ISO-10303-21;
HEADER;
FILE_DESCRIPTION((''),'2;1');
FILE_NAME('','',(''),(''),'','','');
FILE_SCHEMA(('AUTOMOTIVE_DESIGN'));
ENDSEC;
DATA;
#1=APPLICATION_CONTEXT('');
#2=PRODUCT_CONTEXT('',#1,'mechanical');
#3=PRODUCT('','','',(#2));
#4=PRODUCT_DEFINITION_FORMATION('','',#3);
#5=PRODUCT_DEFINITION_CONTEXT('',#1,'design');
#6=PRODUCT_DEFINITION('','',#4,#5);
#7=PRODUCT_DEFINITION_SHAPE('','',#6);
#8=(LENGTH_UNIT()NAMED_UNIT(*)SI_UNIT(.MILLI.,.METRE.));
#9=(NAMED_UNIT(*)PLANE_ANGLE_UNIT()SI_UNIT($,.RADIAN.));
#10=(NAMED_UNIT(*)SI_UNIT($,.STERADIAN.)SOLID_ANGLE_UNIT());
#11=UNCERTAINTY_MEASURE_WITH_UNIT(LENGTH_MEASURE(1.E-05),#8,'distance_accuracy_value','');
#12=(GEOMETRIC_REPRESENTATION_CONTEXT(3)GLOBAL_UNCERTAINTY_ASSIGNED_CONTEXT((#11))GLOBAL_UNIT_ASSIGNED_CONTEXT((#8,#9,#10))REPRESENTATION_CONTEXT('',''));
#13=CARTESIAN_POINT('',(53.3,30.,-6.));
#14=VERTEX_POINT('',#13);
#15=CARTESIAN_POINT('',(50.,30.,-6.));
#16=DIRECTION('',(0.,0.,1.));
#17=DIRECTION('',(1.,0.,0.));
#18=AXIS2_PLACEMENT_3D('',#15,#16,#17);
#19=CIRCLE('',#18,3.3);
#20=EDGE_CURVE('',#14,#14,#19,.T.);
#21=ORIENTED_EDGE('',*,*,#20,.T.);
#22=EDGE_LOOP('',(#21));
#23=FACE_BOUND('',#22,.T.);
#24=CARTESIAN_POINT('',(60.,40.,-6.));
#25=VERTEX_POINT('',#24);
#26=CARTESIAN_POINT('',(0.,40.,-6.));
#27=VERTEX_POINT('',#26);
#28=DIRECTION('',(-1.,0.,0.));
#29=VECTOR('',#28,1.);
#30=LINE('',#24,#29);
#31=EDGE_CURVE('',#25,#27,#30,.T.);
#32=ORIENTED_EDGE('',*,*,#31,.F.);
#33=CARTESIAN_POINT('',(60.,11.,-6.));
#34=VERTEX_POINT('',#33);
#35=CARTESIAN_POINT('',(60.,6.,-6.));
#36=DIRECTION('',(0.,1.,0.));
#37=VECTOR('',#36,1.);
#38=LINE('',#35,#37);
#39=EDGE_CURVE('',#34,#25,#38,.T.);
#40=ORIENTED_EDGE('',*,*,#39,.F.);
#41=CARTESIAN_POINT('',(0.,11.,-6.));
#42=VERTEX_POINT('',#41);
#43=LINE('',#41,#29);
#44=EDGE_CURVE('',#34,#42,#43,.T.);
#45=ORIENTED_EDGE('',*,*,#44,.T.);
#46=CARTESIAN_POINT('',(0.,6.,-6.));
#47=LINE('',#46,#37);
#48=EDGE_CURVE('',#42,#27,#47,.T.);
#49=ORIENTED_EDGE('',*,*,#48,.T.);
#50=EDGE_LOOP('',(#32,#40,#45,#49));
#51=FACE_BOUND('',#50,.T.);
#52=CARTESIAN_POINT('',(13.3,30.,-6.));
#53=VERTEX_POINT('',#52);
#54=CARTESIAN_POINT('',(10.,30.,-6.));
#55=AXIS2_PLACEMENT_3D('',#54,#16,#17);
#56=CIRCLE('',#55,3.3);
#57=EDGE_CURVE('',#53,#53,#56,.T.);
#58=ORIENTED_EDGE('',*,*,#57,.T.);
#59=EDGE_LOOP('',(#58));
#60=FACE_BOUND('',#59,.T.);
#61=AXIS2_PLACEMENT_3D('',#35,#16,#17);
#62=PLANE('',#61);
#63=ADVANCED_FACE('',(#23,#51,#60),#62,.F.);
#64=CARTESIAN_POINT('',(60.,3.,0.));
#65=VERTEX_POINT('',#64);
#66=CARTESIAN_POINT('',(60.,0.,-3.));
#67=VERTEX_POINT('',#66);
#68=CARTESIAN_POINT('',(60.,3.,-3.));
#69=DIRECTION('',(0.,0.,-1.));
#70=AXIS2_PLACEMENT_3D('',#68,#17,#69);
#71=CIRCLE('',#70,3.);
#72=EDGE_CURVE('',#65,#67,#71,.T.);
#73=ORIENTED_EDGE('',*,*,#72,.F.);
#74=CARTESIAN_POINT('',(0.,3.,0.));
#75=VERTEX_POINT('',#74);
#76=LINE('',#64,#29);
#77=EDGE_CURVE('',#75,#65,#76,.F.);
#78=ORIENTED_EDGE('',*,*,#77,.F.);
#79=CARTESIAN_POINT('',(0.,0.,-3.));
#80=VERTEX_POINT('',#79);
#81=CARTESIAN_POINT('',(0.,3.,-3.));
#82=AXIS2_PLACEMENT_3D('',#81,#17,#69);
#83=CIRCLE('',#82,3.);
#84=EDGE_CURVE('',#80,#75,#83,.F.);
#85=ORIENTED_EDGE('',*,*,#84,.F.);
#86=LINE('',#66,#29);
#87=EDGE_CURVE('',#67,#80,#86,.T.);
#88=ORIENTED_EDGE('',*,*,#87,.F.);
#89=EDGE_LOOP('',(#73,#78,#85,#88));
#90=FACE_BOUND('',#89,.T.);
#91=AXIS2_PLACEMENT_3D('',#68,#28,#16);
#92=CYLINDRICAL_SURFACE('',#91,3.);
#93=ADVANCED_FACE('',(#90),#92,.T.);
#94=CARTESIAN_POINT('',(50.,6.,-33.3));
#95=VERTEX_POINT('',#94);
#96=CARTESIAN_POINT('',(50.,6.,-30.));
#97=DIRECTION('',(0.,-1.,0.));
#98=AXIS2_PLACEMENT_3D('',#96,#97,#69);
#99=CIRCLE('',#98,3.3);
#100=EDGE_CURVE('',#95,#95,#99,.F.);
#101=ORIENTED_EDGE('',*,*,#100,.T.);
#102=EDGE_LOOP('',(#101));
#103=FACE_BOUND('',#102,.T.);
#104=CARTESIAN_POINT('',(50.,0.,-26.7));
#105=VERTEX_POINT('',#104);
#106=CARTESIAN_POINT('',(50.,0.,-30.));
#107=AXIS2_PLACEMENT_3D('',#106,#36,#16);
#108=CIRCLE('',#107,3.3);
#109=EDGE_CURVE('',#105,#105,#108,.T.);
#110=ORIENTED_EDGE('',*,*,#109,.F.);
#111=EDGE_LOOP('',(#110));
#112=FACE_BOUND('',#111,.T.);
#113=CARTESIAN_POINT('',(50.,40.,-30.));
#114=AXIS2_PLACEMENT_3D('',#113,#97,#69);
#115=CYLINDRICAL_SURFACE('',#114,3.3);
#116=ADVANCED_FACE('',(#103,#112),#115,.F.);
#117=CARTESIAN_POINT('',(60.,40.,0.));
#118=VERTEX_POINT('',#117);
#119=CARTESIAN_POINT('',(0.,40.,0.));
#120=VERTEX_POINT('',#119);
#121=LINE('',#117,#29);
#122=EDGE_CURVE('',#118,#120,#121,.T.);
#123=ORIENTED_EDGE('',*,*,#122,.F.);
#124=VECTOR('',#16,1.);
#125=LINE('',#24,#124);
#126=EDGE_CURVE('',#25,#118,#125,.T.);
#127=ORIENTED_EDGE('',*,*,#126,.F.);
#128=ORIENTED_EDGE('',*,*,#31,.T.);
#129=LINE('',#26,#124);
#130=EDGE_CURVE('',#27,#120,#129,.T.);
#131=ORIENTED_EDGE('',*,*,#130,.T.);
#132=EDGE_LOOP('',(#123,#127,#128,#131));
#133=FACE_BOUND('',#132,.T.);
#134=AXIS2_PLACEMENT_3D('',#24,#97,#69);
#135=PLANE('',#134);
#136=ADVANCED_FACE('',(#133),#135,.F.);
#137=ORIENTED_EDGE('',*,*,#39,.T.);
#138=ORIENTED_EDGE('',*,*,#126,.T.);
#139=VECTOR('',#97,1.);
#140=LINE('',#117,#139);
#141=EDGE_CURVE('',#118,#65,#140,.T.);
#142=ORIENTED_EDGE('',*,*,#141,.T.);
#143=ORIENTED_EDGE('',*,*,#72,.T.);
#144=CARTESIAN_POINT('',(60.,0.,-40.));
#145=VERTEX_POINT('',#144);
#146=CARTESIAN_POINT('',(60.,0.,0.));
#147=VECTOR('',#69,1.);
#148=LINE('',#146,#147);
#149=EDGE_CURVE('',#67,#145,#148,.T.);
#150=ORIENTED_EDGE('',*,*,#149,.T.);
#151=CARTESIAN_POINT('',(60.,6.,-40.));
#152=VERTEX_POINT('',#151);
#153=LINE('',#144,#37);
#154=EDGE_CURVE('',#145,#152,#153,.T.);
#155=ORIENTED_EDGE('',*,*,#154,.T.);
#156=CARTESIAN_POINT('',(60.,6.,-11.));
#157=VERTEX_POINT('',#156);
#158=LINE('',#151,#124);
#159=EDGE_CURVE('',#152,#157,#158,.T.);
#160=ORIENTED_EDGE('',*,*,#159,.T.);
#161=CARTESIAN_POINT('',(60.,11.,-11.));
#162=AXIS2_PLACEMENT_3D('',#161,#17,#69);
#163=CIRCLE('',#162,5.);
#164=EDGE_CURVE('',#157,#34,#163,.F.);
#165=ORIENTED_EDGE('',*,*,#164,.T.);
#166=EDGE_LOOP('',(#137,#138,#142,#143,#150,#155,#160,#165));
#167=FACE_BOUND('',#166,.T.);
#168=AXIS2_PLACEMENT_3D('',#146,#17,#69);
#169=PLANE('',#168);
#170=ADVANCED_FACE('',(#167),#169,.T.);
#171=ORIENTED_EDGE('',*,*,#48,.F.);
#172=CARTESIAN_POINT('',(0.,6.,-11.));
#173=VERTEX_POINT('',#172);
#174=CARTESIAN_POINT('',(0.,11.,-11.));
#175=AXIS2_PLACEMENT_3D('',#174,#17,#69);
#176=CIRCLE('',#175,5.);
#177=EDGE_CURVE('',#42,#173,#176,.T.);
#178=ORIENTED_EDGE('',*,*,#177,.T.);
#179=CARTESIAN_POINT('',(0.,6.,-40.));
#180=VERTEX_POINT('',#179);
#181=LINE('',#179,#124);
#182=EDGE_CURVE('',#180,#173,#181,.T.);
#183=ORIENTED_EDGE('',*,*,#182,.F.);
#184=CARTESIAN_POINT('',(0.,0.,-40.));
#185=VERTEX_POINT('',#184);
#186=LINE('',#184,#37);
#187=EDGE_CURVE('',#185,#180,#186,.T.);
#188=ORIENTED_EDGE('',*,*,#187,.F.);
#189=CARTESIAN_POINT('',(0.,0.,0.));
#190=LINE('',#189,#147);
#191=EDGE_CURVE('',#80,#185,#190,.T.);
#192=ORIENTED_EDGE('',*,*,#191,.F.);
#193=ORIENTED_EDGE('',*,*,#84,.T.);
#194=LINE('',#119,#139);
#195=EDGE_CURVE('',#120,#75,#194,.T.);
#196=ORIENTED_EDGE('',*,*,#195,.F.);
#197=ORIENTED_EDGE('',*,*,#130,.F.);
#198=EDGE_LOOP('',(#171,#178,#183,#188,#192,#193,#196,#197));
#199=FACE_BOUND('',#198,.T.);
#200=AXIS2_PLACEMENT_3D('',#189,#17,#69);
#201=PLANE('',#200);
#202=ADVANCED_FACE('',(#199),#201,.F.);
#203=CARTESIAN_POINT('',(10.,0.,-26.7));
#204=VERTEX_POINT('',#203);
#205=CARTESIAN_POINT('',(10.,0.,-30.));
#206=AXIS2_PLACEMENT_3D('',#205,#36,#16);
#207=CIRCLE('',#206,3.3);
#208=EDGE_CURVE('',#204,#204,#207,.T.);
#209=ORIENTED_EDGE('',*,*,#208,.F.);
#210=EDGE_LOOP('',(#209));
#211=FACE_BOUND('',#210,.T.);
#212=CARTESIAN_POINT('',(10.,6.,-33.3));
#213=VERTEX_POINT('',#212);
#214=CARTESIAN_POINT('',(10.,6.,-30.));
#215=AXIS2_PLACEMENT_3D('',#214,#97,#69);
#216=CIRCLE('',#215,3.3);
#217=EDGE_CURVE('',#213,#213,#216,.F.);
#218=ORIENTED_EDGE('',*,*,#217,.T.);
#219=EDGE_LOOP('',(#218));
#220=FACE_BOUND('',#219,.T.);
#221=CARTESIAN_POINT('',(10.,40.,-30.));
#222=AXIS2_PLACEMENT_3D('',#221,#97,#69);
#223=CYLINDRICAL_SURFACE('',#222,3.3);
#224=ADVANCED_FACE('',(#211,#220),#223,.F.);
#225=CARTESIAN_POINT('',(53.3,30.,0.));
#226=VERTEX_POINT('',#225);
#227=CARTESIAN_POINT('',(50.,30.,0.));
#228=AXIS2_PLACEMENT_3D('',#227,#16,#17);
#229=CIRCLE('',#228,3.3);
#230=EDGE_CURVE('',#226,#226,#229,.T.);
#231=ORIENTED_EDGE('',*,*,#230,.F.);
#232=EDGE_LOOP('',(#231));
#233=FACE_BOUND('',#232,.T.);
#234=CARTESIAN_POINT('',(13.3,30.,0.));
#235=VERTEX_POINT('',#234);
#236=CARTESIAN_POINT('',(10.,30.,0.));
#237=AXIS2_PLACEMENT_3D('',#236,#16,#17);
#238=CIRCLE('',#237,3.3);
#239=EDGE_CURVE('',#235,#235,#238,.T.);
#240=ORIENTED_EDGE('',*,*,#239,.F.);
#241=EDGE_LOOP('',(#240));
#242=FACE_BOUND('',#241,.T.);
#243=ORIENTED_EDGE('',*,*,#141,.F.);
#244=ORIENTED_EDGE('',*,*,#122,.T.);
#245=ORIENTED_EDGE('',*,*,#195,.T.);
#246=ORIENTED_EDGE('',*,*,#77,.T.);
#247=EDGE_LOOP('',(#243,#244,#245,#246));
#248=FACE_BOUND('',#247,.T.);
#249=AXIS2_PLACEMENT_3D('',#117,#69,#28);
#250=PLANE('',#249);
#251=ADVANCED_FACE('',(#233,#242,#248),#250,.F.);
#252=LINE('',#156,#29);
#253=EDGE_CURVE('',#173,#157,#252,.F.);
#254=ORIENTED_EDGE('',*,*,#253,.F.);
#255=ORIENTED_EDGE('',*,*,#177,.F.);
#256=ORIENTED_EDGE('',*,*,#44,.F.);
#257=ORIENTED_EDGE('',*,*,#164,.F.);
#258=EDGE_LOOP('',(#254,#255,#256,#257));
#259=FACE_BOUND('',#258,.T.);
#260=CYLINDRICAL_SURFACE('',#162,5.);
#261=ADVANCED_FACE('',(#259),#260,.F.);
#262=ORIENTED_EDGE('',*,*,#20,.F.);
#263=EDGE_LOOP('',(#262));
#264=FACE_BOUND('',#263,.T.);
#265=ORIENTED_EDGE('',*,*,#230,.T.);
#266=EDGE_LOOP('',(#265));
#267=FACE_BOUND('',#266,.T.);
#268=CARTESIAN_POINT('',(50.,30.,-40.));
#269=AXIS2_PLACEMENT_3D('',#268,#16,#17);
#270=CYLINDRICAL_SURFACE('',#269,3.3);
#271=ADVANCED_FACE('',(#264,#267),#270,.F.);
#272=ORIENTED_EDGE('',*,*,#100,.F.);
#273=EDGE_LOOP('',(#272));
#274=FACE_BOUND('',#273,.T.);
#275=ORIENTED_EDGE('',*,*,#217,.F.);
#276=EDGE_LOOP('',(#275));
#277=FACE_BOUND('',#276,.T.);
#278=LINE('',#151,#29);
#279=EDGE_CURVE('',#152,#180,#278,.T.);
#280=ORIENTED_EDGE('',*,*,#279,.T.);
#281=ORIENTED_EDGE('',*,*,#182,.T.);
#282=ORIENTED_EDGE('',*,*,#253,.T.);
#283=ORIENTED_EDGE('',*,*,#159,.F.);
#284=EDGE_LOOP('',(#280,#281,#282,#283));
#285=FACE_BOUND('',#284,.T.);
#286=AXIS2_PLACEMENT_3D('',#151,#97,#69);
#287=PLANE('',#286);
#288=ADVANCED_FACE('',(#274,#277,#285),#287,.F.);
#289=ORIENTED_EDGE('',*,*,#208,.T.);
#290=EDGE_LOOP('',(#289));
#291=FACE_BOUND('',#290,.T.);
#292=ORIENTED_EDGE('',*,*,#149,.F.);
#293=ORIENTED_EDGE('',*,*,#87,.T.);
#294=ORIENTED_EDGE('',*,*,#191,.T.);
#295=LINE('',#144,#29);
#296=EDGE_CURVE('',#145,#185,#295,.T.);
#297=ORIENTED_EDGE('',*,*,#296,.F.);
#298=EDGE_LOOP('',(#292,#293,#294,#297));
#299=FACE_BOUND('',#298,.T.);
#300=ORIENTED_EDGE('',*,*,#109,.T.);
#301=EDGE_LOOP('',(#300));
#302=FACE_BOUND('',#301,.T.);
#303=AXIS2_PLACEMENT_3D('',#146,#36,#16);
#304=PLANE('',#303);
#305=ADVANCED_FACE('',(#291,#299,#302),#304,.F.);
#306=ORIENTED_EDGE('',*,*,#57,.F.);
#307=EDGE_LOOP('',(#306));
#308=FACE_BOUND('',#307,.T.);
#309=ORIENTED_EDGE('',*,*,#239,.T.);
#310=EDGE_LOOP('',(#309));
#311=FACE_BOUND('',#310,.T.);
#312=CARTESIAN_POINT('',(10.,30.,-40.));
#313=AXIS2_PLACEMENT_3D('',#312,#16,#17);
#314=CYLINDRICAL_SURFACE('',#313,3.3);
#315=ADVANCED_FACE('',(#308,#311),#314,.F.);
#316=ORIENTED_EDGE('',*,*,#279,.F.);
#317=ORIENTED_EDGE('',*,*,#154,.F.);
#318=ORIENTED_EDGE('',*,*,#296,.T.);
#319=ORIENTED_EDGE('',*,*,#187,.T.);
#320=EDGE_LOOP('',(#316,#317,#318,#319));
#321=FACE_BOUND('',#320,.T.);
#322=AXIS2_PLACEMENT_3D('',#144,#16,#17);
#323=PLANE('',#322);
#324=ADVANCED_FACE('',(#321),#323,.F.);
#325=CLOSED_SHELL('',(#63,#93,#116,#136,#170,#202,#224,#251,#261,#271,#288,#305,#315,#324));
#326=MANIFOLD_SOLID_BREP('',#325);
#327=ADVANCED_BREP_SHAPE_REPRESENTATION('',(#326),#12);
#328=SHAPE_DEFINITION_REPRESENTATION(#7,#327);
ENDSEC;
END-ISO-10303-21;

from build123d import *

# Parameters (mm, degrees)
EXTRUDE_1_DEPTH     = 60
SKETCH_2_R          = 3.3
CUT_EXTRUDE_1_DEPTH = 83.462112512
SKETCH_3_R          = 3.3
CUT_EXTRUDE_2_DEPTH = 83.462112512
FILLET_1_R          = 5
FILLET_2_R          = 3


with BuildPart() as part:
    # 草圖1 → 填料-伸長1 (new body)
    with BuildSketch(Plane(origin=(0, 0, 0), x_dir=(0, 0, -1), z_dir=(1, 0, 0))):
        Polygon((0, 0), (40, 0), (40, 6), (6, 6), (6, 40), (0, 40), align=None)
    extrude(amount=EXTRUDE_1_DEPTH)

    # 草圖2 → 除料-伸長1 (cut, through all)
    with BuildSketch(Plane(origin=(0, 0, 0), x_dir=(1, 0, 0), z_dir=(0, 1, 0))):
        with Locations(Location((10, 30, 0), (0, 0, 90))):
            Circle(SKETCH_2_R)
        with Locations(Location((50, 30, 0), (0, 0, 90))):
            Circle(SKETCH_2_R)
    extrude(amount=CUT_EXTRUDE_1_DEPTH, mode=Mode.SUBTRACT)

    # 草圖3 → 除料-伸長2 (cut, through all)
    with BuildSketch(Plane.XY):
        with Locations((10, 30)):
            Circle(SKETCH_3_R)
        with Locations((50, 30)):
            Circle(SKETCH_3_R)
    extrude(amount=-CUT_EXTRUDE_2_DEPTH, mode=Mode.SUBTRACT)

    # 圓角1
    fillet_1_edges = [part.edges().sort_by_distance(p)[0] for p in [
        (30, 6, -6),
    ]]
    fillet(fillet_1_edges, radius=FILLET_1_R)

    # 圓角2
    fillet_2_edges = [part.edges().sort_by_distance(p)[0] for p in [
        (30, 0, 0),
    ]]
    fillet(fillet_2_edges, radius=FILLET_2_R)


solid = part.part
